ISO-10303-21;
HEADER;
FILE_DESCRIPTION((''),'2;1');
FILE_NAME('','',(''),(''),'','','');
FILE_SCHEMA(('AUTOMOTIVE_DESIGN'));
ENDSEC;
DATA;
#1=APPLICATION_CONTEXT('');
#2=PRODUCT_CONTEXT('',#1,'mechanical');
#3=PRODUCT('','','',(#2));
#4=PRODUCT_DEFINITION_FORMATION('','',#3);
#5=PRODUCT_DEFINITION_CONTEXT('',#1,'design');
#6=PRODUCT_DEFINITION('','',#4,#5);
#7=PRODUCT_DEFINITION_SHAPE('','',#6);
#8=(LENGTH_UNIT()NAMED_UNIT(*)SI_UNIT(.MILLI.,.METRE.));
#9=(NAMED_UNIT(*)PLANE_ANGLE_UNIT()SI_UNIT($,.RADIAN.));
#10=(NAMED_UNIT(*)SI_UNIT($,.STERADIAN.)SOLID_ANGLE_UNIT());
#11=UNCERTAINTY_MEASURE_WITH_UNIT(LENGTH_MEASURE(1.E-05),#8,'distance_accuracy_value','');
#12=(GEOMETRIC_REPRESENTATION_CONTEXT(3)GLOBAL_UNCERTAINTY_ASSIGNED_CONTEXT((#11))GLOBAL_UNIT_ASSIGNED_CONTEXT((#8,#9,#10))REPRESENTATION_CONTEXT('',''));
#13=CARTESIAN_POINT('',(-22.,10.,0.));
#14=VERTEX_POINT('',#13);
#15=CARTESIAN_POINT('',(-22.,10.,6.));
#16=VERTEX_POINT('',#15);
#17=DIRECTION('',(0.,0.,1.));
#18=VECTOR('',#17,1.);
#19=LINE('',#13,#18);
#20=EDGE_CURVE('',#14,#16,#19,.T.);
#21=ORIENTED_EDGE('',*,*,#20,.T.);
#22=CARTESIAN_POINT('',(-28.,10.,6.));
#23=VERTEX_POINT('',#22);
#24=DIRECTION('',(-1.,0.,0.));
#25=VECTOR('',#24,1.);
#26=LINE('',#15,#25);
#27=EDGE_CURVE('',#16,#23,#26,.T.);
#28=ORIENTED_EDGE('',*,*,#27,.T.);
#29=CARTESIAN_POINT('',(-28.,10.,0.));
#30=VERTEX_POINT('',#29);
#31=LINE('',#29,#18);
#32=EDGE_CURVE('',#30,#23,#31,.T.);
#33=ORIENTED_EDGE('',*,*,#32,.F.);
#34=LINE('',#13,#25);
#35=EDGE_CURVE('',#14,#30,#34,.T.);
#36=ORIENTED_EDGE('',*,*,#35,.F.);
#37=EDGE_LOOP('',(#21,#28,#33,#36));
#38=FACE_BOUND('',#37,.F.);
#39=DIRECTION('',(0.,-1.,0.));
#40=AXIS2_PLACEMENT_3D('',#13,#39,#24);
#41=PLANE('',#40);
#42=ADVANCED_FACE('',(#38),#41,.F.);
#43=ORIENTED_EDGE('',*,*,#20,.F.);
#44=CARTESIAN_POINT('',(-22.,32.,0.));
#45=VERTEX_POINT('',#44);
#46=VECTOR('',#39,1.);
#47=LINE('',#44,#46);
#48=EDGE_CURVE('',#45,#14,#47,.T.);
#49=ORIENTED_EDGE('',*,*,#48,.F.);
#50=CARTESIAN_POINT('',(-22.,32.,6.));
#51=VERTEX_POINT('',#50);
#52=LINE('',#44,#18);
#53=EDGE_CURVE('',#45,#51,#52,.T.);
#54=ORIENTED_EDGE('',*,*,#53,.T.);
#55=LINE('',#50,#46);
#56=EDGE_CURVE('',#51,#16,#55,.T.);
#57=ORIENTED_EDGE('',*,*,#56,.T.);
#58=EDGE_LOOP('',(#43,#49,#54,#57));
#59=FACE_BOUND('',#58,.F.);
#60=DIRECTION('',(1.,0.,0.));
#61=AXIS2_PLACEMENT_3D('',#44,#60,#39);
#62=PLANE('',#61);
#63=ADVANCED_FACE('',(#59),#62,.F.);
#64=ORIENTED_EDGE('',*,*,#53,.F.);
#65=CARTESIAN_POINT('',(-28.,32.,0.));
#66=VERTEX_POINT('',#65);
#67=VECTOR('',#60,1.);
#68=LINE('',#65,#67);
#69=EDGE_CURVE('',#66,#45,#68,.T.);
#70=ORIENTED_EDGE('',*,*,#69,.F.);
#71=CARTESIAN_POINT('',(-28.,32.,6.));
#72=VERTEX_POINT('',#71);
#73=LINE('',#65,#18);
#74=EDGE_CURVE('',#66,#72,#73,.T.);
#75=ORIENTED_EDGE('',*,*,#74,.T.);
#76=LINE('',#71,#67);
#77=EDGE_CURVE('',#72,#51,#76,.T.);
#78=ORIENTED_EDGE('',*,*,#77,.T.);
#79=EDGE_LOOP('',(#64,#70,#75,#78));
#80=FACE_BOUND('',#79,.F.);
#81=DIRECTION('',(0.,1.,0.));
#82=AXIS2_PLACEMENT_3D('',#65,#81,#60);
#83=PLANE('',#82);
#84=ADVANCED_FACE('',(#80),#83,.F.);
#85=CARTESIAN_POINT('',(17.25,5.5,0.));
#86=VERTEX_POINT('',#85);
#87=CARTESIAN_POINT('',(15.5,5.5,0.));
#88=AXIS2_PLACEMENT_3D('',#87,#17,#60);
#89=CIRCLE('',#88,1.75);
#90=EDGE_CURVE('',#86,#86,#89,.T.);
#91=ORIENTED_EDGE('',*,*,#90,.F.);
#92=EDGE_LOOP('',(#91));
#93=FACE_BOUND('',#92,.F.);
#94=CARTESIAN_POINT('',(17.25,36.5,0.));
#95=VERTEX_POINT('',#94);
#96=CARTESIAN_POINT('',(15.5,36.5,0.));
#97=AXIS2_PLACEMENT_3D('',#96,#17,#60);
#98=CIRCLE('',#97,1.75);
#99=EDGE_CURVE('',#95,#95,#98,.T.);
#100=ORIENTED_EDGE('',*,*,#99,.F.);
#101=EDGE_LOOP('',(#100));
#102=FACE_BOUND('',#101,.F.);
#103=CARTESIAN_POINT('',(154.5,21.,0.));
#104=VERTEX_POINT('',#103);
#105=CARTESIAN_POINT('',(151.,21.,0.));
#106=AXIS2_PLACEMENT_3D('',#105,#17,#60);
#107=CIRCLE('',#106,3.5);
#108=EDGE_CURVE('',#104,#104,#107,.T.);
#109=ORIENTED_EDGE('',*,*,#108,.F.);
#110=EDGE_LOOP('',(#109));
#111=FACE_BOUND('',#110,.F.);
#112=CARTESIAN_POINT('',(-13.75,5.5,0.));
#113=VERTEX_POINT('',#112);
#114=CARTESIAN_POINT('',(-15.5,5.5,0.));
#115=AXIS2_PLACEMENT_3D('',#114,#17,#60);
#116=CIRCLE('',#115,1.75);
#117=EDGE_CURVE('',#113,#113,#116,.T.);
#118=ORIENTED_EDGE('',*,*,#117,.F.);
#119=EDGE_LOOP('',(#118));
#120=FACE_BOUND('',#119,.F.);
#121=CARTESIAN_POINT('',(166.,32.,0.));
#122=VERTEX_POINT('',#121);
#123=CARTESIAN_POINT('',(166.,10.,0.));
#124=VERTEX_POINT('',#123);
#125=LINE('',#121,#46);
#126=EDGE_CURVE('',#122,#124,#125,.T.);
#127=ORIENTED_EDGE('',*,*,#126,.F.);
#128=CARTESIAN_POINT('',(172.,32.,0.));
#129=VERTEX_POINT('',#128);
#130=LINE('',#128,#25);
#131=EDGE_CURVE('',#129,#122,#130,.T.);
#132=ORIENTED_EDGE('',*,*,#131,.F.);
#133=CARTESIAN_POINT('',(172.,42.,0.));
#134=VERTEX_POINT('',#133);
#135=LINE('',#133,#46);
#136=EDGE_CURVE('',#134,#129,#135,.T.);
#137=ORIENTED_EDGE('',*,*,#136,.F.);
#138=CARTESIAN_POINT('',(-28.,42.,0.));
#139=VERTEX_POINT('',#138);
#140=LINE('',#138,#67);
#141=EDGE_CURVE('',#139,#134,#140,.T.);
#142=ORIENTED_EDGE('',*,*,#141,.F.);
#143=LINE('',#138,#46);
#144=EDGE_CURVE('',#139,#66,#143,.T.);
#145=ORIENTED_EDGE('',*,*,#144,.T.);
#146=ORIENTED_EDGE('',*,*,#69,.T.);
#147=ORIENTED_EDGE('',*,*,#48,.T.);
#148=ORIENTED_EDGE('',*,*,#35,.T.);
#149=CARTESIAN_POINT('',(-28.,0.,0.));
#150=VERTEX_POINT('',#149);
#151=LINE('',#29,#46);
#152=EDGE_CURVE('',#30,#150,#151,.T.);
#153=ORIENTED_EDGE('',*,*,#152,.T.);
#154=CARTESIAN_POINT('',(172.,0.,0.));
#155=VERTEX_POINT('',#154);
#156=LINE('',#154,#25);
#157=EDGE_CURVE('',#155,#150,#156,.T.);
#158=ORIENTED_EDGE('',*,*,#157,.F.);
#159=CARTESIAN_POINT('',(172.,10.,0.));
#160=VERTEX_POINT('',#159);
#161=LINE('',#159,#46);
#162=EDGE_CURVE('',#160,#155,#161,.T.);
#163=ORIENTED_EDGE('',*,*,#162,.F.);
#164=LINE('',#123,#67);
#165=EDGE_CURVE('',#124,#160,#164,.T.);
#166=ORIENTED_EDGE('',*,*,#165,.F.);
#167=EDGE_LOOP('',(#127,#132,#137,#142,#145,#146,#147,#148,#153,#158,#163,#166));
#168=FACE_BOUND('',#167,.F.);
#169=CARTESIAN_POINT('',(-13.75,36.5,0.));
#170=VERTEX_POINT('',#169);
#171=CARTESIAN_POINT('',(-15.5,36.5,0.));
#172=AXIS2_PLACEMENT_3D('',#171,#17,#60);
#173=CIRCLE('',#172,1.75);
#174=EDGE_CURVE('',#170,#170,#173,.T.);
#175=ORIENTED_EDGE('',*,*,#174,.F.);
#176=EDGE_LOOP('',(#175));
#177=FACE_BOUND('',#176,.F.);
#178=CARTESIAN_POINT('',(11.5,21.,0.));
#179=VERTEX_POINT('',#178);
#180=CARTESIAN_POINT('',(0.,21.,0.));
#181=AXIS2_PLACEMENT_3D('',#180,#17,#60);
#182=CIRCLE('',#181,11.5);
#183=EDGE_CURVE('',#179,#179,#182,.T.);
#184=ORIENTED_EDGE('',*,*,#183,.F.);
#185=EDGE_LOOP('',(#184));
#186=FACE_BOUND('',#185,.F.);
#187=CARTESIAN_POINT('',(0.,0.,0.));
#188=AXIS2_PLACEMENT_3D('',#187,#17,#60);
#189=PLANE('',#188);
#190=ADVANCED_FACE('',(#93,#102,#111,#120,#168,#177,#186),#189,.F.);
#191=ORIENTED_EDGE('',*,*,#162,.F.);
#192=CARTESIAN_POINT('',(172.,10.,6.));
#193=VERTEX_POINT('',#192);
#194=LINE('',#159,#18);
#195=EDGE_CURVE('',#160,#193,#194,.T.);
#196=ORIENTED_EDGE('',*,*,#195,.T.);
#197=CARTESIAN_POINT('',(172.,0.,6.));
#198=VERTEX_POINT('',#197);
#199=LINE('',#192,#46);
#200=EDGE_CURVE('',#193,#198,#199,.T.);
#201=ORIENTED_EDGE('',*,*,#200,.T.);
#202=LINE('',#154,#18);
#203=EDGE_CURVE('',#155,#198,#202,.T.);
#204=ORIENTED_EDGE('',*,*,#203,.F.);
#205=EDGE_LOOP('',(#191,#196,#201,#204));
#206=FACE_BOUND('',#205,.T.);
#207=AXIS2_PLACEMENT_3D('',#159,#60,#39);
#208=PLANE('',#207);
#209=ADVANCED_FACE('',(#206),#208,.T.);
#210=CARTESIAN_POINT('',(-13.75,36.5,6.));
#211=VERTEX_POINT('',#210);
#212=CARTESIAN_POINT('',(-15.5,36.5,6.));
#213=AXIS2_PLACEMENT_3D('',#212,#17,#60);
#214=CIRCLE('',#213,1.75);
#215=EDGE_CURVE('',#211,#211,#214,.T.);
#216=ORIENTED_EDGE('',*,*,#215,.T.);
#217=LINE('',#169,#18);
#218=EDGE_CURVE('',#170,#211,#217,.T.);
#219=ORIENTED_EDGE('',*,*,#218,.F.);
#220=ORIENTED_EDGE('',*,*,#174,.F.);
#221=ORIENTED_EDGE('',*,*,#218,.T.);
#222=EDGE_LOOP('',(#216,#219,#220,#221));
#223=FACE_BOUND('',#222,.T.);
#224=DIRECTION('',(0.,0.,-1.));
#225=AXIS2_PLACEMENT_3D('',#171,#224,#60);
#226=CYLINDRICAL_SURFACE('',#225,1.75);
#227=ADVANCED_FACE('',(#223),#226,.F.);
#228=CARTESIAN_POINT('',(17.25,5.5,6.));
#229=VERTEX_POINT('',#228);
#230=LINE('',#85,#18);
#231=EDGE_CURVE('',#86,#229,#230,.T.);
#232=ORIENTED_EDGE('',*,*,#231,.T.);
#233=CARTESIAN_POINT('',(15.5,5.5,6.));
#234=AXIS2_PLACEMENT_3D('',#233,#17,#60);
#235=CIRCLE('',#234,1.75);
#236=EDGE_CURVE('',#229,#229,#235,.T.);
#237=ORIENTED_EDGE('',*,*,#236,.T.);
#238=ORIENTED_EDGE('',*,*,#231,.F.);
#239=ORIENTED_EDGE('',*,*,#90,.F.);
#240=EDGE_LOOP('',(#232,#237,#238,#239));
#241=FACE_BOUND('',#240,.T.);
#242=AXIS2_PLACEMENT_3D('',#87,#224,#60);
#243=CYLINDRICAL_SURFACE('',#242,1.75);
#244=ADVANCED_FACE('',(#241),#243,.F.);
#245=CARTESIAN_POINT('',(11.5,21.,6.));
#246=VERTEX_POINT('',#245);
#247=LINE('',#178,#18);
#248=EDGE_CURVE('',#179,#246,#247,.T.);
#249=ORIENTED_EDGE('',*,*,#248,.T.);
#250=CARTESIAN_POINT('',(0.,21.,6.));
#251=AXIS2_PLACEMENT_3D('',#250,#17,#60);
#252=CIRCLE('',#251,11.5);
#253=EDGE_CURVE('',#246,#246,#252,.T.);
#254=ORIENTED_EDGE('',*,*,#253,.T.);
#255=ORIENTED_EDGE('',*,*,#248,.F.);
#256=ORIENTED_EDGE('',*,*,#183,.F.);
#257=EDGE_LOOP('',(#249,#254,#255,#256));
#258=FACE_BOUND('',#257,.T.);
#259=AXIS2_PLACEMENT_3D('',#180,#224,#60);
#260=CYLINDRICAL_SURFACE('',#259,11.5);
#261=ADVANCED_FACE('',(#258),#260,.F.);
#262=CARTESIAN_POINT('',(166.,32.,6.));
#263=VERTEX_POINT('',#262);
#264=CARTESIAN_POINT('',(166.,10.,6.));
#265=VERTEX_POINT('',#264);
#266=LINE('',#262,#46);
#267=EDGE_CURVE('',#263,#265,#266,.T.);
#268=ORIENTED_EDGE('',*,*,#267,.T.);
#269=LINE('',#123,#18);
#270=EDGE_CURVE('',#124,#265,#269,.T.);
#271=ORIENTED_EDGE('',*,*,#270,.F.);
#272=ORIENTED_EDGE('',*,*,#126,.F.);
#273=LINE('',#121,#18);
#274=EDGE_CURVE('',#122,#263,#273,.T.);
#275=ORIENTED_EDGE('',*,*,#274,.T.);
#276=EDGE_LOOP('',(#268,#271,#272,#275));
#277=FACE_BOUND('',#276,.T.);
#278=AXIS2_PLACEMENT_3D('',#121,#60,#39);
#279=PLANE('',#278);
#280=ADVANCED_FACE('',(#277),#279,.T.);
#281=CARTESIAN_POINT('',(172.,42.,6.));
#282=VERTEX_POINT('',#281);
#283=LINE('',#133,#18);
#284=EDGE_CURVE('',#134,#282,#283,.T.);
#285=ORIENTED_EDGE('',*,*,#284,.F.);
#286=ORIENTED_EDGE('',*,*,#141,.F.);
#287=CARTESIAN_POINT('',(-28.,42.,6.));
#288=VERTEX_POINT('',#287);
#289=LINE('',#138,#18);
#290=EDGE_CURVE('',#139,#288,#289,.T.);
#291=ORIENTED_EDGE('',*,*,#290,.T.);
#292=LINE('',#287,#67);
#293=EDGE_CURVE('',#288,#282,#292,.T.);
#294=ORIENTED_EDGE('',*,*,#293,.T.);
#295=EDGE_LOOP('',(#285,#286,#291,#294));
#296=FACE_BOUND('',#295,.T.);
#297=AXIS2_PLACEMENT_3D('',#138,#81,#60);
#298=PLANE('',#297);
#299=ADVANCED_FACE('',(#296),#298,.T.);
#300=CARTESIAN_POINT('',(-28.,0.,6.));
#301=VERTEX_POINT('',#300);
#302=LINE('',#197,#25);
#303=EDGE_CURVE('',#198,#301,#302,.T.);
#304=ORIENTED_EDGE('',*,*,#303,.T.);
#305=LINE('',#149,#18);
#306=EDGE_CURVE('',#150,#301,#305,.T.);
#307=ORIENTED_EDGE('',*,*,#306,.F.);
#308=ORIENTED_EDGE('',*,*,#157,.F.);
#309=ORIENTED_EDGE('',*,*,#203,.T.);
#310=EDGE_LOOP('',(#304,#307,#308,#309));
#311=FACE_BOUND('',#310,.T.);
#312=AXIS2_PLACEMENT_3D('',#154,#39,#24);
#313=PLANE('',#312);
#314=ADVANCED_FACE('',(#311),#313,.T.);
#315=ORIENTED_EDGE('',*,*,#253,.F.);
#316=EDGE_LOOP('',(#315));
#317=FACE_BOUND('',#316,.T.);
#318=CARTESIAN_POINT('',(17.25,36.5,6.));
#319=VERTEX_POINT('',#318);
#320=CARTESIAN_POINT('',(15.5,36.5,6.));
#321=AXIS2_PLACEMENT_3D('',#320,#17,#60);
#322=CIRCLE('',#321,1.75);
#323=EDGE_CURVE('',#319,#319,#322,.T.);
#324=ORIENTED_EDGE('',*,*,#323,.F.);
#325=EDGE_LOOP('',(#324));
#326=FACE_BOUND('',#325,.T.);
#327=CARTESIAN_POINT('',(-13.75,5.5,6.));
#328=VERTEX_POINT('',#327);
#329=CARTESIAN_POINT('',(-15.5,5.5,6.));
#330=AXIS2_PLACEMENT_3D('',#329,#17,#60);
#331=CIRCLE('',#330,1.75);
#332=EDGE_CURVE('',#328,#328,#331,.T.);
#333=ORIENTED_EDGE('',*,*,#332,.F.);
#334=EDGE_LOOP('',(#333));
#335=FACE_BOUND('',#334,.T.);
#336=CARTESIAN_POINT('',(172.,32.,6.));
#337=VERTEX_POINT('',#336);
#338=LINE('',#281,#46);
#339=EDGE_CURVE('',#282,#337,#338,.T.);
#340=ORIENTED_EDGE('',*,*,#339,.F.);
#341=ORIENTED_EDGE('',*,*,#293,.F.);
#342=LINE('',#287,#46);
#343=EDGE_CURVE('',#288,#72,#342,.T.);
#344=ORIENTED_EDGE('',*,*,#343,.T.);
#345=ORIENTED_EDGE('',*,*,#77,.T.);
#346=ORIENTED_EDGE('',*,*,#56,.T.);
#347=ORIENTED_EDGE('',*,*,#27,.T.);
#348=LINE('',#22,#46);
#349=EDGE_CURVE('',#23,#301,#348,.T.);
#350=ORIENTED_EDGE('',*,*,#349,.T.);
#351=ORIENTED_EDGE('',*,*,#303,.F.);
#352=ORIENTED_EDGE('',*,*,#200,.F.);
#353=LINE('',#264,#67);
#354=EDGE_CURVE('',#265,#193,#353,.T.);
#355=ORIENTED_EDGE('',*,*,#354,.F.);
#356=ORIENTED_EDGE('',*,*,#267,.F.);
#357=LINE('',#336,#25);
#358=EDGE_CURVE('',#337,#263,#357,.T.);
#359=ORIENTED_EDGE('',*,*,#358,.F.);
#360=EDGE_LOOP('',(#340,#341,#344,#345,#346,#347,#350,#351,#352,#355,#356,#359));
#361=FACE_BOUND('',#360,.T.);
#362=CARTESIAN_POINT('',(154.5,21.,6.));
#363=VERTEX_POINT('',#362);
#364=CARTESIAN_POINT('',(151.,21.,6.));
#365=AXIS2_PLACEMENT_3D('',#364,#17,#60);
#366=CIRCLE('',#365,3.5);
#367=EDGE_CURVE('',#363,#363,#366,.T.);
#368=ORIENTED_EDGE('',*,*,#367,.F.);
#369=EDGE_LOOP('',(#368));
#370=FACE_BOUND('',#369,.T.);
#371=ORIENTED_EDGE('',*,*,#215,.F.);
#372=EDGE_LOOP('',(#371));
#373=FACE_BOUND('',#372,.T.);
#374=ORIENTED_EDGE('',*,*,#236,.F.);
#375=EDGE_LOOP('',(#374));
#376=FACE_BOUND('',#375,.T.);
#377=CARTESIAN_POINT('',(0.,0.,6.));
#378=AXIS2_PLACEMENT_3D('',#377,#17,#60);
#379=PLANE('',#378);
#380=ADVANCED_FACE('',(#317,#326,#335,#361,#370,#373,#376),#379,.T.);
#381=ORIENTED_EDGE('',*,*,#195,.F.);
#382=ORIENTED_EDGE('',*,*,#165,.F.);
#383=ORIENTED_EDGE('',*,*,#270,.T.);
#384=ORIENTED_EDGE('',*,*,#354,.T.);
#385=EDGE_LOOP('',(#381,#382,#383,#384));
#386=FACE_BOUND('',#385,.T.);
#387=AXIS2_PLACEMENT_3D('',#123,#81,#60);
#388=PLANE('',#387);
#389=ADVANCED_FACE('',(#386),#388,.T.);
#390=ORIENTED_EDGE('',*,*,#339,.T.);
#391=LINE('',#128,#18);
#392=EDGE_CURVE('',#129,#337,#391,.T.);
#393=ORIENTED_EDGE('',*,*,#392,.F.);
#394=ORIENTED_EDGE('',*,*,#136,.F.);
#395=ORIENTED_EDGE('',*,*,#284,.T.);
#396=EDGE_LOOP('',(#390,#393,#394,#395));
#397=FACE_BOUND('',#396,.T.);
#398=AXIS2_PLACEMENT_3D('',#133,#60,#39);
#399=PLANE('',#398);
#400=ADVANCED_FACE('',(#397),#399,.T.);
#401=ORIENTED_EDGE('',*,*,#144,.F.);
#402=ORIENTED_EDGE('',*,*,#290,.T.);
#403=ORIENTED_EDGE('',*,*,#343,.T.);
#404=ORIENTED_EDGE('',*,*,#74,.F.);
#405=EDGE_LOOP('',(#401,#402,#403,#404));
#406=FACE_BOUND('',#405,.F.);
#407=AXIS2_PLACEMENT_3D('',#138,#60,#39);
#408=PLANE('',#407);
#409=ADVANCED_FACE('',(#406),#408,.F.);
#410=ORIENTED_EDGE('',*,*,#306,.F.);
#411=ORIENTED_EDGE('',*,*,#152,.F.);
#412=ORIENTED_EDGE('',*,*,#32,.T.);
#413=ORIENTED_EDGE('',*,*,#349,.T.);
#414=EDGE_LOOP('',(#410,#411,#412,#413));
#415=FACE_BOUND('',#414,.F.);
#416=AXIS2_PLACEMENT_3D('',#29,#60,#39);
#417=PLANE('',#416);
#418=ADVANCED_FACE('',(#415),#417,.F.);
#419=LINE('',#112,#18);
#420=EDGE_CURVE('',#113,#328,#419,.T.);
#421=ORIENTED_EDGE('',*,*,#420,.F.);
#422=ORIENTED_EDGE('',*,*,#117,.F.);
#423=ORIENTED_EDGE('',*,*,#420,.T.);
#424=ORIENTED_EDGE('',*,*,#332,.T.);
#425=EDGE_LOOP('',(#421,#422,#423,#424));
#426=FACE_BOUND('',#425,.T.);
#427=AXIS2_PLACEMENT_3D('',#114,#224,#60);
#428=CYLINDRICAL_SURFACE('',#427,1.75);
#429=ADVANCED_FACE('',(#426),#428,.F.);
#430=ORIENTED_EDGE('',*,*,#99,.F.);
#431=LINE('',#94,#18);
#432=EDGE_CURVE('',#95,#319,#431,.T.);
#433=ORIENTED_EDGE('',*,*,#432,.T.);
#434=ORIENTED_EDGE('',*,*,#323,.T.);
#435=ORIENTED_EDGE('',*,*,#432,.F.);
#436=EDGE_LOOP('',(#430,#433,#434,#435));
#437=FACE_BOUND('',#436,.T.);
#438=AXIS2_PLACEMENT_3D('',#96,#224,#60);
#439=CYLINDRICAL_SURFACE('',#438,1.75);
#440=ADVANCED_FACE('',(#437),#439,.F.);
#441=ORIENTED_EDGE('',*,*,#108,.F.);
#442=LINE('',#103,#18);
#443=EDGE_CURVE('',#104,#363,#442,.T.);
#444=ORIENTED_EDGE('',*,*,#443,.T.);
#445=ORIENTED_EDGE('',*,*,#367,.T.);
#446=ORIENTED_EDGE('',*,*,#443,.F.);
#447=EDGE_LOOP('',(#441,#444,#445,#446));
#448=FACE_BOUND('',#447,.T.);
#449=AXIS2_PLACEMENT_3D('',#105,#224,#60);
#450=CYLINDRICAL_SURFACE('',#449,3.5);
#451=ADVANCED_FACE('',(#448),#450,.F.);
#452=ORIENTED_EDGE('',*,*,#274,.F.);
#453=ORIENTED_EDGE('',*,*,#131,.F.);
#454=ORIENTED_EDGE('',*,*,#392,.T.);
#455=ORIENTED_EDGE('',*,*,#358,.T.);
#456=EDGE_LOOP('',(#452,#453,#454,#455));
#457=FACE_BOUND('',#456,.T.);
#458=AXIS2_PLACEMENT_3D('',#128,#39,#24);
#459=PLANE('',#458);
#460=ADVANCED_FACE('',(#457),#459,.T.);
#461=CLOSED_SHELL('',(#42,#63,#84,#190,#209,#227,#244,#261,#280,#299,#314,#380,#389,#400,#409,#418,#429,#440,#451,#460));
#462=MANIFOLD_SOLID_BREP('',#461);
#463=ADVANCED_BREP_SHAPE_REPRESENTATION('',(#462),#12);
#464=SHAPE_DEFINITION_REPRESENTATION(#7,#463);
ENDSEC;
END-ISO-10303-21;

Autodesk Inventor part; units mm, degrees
ref_plane "YZ Plane" through (0, 0, 0) normal (1, 0, 0) x (0, 1, 0)
ref_plane "XZ Plane" through (0, 0, 0) normal (0, 1, 0) x (-1, 0, 0)
ref_plane "XY Plane" through (0, 0, 0) normal (0, 0, 1) x (1, 0, 0)
sketch "Sketch1" plane through (0, 0, 0) normal (0, 0, 1) x (1, 0, 0)
  circle A0 centre (-15.5, 36.5) radius 1.75
  circle A1 centre (15.5, 36.5) radius 1.75
  circle A2 centre (-15.5, 5.5) radius 1.75
  circle A3 centre (15.5, 5.5) radius 1.75
  circle A4 centre (0, 21) radius 11.5
  line L0 (-28, 42) -> (172, 42)
  line L1 (172, 0) -> (-28, 0)
  line L2 (-68, 0) -> (212, 0) projected
  line L3 (-28, 42) -> (-28, 32)
  line L4 (-28, 32) -> (-22, 32)
  line L5 (-22, 32) -> (-22, 10)
  line L6 (-22, 10) -> (-28, 10)
  line L7 (-28, 10) -> (-28, 0)
  line L8 (172, 42) -> (172, 32)
  line L9 (172, 32) -> (166, 32)
  line L10 (166, 32) -> (166, 10)
  line L11 (166, 10) -> (172, 10)
  line L12 (172, 10) -> (172, 0)
  circle A5 centre (151, 21) radius 3.5
  point P0 (0, 0)
  point P1 (0, 0)
  dimension "d13" = 3.5
  dimension "d14" = 3.5
  dimension "d15" = 15.5
  dimension "d16" = 15.5
  dimension "d21" = 3.5
  dimension "d22" = 3.5
  dimension "d23" = 31
  dimension "d24" = 23
  dimension "d29" = 21
  dimension "d30" = 15.5
  dimension "d31" = 200
  dimension "d32" = 21
  dimension "d34" = 21
  dimension "d35" = 6
  dimension "d36" = 10
  dimension "d37" = 10
  dimension "d38" = 28
  dimension "d39" = 10
  dimension "d40" = 10
  dimension "d41" = 6
  dimension "d42" = 7
  dimension "d43" = 15
  dimension "d44" = 21
extrude "Extrusion2" add sketch "Sketch1" along normal blind 6
equation "\"d14\" = d13"
equation "\"d16\" = d15"
equation "\"d21\" = d13"
equation "\"d22\" = d13"
equation "\"d37\" = d36"
equation "\"d39\" = d36"
equation "\"d40\" = d39"
equation "\"d41\" = d35"
properties part number "Tope riel motor"
